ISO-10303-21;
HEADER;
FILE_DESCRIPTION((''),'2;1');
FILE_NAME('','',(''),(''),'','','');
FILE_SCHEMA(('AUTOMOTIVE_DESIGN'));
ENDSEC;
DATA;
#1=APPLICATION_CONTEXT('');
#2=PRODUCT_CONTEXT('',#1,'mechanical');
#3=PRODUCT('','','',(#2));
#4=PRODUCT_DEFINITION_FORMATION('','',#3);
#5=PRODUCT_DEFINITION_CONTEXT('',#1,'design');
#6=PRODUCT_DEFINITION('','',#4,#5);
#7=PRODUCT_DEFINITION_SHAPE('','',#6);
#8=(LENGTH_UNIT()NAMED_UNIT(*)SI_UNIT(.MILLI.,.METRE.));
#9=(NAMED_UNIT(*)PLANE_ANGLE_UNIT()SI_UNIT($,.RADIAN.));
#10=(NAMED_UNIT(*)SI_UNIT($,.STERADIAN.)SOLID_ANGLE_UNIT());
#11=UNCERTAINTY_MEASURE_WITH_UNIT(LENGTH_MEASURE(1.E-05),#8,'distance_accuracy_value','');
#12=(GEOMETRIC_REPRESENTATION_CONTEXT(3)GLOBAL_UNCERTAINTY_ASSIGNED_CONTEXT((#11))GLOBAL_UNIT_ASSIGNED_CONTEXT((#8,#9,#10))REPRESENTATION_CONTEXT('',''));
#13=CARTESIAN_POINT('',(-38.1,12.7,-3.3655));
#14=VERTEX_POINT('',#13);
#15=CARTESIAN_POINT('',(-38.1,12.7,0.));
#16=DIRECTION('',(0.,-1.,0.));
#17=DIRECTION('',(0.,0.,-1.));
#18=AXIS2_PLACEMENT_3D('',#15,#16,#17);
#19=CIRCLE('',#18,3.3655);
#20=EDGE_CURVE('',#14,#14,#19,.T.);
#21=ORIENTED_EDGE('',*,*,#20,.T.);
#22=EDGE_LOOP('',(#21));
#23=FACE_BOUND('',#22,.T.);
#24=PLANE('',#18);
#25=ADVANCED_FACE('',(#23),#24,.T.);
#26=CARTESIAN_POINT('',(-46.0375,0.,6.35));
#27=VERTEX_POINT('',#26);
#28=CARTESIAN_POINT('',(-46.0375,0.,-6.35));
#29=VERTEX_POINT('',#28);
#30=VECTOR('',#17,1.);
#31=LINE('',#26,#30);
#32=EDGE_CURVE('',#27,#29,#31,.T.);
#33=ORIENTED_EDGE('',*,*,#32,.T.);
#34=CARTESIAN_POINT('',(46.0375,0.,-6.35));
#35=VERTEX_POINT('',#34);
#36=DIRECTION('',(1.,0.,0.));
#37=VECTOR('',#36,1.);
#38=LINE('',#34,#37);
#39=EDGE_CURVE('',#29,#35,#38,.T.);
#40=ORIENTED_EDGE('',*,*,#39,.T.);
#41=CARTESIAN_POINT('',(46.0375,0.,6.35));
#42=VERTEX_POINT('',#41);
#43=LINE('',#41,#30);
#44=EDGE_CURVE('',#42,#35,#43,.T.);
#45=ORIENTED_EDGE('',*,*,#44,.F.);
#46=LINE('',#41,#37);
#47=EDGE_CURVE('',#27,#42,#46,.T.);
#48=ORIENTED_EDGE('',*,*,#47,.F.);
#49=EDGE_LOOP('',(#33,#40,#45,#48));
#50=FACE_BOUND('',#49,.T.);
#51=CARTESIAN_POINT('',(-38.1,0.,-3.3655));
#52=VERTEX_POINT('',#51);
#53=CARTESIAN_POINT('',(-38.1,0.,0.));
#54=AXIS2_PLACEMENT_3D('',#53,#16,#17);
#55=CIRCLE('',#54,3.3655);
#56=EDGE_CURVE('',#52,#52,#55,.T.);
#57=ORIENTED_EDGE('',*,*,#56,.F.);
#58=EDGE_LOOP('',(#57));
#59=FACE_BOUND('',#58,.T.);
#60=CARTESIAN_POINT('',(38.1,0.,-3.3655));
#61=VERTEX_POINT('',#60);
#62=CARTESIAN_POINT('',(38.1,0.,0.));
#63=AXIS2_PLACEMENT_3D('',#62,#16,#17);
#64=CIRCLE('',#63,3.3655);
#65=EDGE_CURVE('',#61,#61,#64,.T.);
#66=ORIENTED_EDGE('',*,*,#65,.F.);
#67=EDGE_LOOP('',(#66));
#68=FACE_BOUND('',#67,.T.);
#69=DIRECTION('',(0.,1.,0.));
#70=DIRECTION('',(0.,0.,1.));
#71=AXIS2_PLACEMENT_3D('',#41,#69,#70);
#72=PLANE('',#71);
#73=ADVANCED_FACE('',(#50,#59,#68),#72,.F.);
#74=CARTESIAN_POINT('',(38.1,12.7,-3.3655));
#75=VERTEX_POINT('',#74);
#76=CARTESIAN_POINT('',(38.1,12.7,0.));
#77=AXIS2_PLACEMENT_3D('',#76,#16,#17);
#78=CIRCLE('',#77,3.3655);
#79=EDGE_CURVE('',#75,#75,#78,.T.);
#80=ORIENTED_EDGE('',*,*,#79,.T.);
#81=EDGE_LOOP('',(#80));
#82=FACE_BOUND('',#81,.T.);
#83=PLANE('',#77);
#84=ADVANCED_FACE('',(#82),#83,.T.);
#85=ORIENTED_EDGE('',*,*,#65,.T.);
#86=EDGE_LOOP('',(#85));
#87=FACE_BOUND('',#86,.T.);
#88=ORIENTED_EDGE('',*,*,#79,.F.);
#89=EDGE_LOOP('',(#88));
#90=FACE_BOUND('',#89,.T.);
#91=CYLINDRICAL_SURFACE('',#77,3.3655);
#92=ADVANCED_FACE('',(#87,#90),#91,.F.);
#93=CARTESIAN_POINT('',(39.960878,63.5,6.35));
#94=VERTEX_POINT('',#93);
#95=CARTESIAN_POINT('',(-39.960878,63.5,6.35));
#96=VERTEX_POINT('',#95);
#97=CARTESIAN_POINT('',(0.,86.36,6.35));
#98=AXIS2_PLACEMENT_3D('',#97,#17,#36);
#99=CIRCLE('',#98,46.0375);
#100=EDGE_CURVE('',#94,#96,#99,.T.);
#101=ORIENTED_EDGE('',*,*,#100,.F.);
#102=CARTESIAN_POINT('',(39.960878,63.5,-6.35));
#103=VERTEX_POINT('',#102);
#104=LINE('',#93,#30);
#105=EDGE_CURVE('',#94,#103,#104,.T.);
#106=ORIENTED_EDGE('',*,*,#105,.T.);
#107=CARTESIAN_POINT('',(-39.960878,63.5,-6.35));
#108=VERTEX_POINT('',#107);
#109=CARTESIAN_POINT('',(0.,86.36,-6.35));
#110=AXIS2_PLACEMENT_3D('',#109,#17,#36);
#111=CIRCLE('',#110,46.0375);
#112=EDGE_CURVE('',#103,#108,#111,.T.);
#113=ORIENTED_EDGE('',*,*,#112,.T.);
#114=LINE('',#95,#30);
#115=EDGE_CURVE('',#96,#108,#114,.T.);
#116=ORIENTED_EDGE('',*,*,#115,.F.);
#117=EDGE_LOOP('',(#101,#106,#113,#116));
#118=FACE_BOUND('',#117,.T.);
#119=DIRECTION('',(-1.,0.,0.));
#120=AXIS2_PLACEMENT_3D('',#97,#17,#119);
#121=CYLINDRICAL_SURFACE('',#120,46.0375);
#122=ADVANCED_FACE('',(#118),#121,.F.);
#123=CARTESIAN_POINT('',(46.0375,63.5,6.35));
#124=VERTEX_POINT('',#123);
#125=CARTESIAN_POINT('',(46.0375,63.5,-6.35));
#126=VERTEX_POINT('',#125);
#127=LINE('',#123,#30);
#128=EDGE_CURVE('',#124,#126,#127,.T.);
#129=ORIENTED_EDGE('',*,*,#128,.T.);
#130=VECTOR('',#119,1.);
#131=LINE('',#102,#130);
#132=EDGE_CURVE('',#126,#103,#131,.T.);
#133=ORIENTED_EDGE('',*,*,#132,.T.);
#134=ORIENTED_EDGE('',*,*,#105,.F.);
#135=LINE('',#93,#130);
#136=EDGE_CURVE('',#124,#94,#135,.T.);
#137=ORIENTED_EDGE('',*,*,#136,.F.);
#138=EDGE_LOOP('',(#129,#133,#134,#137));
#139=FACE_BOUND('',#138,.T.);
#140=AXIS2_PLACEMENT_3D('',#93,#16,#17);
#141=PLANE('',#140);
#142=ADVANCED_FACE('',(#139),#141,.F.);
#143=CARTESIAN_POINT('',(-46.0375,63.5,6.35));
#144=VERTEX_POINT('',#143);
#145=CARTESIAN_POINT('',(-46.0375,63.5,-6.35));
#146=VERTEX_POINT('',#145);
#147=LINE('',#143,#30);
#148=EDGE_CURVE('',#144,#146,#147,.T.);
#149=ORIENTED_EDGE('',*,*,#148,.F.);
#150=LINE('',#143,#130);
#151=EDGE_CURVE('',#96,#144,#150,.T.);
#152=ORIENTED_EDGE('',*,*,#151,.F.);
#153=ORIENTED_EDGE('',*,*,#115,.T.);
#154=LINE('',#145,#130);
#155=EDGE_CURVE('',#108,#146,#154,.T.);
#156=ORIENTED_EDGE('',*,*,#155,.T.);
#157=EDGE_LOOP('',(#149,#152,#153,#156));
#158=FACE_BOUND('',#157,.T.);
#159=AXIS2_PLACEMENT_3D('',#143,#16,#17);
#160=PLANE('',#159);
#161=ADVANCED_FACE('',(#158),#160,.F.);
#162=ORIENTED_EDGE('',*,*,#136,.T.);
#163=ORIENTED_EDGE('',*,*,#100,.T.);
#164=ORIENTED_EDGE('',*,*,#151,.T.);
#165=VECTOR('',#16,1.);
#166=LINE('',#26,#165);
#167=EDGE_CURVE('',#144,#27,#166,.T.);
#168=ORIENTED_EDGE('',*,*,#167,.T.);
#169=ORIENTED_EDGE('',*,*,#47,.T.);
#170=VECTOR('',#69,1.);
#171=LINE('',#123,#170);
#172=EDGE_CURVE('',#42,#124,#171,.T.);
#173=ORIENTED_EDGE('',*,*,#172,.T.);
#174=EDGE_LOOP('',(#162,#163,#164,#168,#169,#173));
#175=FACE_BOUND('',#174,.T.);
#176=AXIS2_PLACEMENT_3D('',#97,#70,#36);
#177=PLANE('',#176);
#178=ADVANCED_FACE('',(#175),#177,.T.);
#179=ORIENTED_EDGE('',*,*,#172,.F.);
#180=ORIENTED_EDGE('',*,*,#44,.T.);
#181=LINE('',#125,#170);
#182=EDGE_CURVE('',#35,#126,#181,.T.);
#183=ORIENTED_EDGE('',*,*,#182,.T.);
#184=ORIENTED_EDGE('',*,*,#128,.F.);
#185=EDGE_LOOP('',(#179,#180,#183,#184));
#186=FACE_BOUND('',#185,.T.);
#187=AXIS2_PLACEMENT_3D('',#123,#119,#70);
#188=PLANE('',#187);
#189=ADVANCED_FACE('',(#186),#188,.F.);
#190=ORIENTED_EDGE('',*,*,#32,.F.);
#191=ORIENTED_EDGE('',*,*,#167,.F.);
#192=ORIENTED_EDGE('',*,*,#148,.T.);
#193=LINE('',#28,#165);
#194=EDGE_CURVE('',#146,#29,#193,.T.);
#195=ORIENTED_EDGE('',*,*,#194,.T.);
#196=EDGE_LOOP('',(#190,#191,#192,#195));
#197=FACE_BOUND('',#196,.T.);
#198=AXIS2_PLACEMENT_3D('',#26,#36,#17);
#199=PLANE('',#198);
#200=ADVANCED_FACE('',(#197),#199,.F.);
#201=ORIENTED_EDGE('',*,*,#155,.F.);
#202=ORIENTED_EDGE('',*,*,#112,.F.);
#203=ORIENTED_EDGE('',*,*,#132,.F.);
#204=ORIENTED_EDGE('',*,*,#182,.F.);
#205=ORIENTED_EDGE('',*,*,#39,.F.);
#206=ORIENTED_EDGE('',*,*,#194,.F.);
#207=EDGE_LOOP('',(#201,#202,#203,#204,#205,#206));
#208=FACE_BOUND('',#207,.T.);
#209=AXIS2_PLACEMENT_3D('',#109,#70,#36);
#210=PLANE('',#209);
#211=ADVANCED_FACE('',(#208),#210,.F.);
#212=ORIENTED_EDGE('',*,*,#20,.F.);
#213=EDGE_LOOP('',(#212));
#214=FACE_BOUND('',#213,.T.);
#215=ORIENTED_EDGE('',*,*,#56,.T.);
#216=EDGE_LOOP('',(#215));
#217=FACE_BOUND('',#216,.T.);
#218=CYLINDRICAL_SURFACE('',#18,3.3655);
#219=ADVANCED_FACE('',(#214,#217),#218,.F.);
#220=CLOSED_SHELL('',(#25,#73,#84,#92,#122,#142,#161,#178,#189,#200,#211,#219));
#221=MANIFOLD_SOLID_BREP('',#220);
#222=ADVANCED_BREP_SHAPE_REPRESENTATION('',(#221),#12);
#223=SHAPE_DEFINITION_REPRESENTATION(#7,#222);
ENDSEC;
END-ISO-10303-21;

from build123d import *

# Parameters (mm, degrees)
BOSS_EXTRUDE1_DEPTH = 6.35
SKETCH2_R           = 3.3655
CUT_EXTRUDE1_DEPTH  = 12.7


with BuildPart() as part:
    # Sketch1 → Boss-Extrude1 (new body, symmetric)
    with BuildSketch(Plane.XY):
        with BuildLine():
            Line((-46.0375, 63.5), (-39.960878447, 63.5))
            ThreePointArc((-39.960878447, 63.5), (0, 40.3225), (39.960878447, 63.5))
            Line((39.960878447, 63.5), (46.0375, 63.5))
            Line((46.0375, 63.5), (46.0375, 0))
            Line((46.0375, 0), (-46.0375, 0))
            Line((-46.0375, 0), (-46.0375, 63.5))
        make_face()
    extrude(amount=BOSS_EXTRUDE1_DEPTH, both=True)

    # Sketch2 → Cut-Extrude1 (cut)
    with BuildSketch(Plane.XZ):
        with Locations((-38.1, 0)):
            Circle(SKETCH2_R)
        with Locations((38.1, 0)):
            Circle(SKETCH2_R)
    extrude(amount=-CUT_EXTRUDE1_DEPTH, mode=Mode.SUBTRACT)


solid = part.part
